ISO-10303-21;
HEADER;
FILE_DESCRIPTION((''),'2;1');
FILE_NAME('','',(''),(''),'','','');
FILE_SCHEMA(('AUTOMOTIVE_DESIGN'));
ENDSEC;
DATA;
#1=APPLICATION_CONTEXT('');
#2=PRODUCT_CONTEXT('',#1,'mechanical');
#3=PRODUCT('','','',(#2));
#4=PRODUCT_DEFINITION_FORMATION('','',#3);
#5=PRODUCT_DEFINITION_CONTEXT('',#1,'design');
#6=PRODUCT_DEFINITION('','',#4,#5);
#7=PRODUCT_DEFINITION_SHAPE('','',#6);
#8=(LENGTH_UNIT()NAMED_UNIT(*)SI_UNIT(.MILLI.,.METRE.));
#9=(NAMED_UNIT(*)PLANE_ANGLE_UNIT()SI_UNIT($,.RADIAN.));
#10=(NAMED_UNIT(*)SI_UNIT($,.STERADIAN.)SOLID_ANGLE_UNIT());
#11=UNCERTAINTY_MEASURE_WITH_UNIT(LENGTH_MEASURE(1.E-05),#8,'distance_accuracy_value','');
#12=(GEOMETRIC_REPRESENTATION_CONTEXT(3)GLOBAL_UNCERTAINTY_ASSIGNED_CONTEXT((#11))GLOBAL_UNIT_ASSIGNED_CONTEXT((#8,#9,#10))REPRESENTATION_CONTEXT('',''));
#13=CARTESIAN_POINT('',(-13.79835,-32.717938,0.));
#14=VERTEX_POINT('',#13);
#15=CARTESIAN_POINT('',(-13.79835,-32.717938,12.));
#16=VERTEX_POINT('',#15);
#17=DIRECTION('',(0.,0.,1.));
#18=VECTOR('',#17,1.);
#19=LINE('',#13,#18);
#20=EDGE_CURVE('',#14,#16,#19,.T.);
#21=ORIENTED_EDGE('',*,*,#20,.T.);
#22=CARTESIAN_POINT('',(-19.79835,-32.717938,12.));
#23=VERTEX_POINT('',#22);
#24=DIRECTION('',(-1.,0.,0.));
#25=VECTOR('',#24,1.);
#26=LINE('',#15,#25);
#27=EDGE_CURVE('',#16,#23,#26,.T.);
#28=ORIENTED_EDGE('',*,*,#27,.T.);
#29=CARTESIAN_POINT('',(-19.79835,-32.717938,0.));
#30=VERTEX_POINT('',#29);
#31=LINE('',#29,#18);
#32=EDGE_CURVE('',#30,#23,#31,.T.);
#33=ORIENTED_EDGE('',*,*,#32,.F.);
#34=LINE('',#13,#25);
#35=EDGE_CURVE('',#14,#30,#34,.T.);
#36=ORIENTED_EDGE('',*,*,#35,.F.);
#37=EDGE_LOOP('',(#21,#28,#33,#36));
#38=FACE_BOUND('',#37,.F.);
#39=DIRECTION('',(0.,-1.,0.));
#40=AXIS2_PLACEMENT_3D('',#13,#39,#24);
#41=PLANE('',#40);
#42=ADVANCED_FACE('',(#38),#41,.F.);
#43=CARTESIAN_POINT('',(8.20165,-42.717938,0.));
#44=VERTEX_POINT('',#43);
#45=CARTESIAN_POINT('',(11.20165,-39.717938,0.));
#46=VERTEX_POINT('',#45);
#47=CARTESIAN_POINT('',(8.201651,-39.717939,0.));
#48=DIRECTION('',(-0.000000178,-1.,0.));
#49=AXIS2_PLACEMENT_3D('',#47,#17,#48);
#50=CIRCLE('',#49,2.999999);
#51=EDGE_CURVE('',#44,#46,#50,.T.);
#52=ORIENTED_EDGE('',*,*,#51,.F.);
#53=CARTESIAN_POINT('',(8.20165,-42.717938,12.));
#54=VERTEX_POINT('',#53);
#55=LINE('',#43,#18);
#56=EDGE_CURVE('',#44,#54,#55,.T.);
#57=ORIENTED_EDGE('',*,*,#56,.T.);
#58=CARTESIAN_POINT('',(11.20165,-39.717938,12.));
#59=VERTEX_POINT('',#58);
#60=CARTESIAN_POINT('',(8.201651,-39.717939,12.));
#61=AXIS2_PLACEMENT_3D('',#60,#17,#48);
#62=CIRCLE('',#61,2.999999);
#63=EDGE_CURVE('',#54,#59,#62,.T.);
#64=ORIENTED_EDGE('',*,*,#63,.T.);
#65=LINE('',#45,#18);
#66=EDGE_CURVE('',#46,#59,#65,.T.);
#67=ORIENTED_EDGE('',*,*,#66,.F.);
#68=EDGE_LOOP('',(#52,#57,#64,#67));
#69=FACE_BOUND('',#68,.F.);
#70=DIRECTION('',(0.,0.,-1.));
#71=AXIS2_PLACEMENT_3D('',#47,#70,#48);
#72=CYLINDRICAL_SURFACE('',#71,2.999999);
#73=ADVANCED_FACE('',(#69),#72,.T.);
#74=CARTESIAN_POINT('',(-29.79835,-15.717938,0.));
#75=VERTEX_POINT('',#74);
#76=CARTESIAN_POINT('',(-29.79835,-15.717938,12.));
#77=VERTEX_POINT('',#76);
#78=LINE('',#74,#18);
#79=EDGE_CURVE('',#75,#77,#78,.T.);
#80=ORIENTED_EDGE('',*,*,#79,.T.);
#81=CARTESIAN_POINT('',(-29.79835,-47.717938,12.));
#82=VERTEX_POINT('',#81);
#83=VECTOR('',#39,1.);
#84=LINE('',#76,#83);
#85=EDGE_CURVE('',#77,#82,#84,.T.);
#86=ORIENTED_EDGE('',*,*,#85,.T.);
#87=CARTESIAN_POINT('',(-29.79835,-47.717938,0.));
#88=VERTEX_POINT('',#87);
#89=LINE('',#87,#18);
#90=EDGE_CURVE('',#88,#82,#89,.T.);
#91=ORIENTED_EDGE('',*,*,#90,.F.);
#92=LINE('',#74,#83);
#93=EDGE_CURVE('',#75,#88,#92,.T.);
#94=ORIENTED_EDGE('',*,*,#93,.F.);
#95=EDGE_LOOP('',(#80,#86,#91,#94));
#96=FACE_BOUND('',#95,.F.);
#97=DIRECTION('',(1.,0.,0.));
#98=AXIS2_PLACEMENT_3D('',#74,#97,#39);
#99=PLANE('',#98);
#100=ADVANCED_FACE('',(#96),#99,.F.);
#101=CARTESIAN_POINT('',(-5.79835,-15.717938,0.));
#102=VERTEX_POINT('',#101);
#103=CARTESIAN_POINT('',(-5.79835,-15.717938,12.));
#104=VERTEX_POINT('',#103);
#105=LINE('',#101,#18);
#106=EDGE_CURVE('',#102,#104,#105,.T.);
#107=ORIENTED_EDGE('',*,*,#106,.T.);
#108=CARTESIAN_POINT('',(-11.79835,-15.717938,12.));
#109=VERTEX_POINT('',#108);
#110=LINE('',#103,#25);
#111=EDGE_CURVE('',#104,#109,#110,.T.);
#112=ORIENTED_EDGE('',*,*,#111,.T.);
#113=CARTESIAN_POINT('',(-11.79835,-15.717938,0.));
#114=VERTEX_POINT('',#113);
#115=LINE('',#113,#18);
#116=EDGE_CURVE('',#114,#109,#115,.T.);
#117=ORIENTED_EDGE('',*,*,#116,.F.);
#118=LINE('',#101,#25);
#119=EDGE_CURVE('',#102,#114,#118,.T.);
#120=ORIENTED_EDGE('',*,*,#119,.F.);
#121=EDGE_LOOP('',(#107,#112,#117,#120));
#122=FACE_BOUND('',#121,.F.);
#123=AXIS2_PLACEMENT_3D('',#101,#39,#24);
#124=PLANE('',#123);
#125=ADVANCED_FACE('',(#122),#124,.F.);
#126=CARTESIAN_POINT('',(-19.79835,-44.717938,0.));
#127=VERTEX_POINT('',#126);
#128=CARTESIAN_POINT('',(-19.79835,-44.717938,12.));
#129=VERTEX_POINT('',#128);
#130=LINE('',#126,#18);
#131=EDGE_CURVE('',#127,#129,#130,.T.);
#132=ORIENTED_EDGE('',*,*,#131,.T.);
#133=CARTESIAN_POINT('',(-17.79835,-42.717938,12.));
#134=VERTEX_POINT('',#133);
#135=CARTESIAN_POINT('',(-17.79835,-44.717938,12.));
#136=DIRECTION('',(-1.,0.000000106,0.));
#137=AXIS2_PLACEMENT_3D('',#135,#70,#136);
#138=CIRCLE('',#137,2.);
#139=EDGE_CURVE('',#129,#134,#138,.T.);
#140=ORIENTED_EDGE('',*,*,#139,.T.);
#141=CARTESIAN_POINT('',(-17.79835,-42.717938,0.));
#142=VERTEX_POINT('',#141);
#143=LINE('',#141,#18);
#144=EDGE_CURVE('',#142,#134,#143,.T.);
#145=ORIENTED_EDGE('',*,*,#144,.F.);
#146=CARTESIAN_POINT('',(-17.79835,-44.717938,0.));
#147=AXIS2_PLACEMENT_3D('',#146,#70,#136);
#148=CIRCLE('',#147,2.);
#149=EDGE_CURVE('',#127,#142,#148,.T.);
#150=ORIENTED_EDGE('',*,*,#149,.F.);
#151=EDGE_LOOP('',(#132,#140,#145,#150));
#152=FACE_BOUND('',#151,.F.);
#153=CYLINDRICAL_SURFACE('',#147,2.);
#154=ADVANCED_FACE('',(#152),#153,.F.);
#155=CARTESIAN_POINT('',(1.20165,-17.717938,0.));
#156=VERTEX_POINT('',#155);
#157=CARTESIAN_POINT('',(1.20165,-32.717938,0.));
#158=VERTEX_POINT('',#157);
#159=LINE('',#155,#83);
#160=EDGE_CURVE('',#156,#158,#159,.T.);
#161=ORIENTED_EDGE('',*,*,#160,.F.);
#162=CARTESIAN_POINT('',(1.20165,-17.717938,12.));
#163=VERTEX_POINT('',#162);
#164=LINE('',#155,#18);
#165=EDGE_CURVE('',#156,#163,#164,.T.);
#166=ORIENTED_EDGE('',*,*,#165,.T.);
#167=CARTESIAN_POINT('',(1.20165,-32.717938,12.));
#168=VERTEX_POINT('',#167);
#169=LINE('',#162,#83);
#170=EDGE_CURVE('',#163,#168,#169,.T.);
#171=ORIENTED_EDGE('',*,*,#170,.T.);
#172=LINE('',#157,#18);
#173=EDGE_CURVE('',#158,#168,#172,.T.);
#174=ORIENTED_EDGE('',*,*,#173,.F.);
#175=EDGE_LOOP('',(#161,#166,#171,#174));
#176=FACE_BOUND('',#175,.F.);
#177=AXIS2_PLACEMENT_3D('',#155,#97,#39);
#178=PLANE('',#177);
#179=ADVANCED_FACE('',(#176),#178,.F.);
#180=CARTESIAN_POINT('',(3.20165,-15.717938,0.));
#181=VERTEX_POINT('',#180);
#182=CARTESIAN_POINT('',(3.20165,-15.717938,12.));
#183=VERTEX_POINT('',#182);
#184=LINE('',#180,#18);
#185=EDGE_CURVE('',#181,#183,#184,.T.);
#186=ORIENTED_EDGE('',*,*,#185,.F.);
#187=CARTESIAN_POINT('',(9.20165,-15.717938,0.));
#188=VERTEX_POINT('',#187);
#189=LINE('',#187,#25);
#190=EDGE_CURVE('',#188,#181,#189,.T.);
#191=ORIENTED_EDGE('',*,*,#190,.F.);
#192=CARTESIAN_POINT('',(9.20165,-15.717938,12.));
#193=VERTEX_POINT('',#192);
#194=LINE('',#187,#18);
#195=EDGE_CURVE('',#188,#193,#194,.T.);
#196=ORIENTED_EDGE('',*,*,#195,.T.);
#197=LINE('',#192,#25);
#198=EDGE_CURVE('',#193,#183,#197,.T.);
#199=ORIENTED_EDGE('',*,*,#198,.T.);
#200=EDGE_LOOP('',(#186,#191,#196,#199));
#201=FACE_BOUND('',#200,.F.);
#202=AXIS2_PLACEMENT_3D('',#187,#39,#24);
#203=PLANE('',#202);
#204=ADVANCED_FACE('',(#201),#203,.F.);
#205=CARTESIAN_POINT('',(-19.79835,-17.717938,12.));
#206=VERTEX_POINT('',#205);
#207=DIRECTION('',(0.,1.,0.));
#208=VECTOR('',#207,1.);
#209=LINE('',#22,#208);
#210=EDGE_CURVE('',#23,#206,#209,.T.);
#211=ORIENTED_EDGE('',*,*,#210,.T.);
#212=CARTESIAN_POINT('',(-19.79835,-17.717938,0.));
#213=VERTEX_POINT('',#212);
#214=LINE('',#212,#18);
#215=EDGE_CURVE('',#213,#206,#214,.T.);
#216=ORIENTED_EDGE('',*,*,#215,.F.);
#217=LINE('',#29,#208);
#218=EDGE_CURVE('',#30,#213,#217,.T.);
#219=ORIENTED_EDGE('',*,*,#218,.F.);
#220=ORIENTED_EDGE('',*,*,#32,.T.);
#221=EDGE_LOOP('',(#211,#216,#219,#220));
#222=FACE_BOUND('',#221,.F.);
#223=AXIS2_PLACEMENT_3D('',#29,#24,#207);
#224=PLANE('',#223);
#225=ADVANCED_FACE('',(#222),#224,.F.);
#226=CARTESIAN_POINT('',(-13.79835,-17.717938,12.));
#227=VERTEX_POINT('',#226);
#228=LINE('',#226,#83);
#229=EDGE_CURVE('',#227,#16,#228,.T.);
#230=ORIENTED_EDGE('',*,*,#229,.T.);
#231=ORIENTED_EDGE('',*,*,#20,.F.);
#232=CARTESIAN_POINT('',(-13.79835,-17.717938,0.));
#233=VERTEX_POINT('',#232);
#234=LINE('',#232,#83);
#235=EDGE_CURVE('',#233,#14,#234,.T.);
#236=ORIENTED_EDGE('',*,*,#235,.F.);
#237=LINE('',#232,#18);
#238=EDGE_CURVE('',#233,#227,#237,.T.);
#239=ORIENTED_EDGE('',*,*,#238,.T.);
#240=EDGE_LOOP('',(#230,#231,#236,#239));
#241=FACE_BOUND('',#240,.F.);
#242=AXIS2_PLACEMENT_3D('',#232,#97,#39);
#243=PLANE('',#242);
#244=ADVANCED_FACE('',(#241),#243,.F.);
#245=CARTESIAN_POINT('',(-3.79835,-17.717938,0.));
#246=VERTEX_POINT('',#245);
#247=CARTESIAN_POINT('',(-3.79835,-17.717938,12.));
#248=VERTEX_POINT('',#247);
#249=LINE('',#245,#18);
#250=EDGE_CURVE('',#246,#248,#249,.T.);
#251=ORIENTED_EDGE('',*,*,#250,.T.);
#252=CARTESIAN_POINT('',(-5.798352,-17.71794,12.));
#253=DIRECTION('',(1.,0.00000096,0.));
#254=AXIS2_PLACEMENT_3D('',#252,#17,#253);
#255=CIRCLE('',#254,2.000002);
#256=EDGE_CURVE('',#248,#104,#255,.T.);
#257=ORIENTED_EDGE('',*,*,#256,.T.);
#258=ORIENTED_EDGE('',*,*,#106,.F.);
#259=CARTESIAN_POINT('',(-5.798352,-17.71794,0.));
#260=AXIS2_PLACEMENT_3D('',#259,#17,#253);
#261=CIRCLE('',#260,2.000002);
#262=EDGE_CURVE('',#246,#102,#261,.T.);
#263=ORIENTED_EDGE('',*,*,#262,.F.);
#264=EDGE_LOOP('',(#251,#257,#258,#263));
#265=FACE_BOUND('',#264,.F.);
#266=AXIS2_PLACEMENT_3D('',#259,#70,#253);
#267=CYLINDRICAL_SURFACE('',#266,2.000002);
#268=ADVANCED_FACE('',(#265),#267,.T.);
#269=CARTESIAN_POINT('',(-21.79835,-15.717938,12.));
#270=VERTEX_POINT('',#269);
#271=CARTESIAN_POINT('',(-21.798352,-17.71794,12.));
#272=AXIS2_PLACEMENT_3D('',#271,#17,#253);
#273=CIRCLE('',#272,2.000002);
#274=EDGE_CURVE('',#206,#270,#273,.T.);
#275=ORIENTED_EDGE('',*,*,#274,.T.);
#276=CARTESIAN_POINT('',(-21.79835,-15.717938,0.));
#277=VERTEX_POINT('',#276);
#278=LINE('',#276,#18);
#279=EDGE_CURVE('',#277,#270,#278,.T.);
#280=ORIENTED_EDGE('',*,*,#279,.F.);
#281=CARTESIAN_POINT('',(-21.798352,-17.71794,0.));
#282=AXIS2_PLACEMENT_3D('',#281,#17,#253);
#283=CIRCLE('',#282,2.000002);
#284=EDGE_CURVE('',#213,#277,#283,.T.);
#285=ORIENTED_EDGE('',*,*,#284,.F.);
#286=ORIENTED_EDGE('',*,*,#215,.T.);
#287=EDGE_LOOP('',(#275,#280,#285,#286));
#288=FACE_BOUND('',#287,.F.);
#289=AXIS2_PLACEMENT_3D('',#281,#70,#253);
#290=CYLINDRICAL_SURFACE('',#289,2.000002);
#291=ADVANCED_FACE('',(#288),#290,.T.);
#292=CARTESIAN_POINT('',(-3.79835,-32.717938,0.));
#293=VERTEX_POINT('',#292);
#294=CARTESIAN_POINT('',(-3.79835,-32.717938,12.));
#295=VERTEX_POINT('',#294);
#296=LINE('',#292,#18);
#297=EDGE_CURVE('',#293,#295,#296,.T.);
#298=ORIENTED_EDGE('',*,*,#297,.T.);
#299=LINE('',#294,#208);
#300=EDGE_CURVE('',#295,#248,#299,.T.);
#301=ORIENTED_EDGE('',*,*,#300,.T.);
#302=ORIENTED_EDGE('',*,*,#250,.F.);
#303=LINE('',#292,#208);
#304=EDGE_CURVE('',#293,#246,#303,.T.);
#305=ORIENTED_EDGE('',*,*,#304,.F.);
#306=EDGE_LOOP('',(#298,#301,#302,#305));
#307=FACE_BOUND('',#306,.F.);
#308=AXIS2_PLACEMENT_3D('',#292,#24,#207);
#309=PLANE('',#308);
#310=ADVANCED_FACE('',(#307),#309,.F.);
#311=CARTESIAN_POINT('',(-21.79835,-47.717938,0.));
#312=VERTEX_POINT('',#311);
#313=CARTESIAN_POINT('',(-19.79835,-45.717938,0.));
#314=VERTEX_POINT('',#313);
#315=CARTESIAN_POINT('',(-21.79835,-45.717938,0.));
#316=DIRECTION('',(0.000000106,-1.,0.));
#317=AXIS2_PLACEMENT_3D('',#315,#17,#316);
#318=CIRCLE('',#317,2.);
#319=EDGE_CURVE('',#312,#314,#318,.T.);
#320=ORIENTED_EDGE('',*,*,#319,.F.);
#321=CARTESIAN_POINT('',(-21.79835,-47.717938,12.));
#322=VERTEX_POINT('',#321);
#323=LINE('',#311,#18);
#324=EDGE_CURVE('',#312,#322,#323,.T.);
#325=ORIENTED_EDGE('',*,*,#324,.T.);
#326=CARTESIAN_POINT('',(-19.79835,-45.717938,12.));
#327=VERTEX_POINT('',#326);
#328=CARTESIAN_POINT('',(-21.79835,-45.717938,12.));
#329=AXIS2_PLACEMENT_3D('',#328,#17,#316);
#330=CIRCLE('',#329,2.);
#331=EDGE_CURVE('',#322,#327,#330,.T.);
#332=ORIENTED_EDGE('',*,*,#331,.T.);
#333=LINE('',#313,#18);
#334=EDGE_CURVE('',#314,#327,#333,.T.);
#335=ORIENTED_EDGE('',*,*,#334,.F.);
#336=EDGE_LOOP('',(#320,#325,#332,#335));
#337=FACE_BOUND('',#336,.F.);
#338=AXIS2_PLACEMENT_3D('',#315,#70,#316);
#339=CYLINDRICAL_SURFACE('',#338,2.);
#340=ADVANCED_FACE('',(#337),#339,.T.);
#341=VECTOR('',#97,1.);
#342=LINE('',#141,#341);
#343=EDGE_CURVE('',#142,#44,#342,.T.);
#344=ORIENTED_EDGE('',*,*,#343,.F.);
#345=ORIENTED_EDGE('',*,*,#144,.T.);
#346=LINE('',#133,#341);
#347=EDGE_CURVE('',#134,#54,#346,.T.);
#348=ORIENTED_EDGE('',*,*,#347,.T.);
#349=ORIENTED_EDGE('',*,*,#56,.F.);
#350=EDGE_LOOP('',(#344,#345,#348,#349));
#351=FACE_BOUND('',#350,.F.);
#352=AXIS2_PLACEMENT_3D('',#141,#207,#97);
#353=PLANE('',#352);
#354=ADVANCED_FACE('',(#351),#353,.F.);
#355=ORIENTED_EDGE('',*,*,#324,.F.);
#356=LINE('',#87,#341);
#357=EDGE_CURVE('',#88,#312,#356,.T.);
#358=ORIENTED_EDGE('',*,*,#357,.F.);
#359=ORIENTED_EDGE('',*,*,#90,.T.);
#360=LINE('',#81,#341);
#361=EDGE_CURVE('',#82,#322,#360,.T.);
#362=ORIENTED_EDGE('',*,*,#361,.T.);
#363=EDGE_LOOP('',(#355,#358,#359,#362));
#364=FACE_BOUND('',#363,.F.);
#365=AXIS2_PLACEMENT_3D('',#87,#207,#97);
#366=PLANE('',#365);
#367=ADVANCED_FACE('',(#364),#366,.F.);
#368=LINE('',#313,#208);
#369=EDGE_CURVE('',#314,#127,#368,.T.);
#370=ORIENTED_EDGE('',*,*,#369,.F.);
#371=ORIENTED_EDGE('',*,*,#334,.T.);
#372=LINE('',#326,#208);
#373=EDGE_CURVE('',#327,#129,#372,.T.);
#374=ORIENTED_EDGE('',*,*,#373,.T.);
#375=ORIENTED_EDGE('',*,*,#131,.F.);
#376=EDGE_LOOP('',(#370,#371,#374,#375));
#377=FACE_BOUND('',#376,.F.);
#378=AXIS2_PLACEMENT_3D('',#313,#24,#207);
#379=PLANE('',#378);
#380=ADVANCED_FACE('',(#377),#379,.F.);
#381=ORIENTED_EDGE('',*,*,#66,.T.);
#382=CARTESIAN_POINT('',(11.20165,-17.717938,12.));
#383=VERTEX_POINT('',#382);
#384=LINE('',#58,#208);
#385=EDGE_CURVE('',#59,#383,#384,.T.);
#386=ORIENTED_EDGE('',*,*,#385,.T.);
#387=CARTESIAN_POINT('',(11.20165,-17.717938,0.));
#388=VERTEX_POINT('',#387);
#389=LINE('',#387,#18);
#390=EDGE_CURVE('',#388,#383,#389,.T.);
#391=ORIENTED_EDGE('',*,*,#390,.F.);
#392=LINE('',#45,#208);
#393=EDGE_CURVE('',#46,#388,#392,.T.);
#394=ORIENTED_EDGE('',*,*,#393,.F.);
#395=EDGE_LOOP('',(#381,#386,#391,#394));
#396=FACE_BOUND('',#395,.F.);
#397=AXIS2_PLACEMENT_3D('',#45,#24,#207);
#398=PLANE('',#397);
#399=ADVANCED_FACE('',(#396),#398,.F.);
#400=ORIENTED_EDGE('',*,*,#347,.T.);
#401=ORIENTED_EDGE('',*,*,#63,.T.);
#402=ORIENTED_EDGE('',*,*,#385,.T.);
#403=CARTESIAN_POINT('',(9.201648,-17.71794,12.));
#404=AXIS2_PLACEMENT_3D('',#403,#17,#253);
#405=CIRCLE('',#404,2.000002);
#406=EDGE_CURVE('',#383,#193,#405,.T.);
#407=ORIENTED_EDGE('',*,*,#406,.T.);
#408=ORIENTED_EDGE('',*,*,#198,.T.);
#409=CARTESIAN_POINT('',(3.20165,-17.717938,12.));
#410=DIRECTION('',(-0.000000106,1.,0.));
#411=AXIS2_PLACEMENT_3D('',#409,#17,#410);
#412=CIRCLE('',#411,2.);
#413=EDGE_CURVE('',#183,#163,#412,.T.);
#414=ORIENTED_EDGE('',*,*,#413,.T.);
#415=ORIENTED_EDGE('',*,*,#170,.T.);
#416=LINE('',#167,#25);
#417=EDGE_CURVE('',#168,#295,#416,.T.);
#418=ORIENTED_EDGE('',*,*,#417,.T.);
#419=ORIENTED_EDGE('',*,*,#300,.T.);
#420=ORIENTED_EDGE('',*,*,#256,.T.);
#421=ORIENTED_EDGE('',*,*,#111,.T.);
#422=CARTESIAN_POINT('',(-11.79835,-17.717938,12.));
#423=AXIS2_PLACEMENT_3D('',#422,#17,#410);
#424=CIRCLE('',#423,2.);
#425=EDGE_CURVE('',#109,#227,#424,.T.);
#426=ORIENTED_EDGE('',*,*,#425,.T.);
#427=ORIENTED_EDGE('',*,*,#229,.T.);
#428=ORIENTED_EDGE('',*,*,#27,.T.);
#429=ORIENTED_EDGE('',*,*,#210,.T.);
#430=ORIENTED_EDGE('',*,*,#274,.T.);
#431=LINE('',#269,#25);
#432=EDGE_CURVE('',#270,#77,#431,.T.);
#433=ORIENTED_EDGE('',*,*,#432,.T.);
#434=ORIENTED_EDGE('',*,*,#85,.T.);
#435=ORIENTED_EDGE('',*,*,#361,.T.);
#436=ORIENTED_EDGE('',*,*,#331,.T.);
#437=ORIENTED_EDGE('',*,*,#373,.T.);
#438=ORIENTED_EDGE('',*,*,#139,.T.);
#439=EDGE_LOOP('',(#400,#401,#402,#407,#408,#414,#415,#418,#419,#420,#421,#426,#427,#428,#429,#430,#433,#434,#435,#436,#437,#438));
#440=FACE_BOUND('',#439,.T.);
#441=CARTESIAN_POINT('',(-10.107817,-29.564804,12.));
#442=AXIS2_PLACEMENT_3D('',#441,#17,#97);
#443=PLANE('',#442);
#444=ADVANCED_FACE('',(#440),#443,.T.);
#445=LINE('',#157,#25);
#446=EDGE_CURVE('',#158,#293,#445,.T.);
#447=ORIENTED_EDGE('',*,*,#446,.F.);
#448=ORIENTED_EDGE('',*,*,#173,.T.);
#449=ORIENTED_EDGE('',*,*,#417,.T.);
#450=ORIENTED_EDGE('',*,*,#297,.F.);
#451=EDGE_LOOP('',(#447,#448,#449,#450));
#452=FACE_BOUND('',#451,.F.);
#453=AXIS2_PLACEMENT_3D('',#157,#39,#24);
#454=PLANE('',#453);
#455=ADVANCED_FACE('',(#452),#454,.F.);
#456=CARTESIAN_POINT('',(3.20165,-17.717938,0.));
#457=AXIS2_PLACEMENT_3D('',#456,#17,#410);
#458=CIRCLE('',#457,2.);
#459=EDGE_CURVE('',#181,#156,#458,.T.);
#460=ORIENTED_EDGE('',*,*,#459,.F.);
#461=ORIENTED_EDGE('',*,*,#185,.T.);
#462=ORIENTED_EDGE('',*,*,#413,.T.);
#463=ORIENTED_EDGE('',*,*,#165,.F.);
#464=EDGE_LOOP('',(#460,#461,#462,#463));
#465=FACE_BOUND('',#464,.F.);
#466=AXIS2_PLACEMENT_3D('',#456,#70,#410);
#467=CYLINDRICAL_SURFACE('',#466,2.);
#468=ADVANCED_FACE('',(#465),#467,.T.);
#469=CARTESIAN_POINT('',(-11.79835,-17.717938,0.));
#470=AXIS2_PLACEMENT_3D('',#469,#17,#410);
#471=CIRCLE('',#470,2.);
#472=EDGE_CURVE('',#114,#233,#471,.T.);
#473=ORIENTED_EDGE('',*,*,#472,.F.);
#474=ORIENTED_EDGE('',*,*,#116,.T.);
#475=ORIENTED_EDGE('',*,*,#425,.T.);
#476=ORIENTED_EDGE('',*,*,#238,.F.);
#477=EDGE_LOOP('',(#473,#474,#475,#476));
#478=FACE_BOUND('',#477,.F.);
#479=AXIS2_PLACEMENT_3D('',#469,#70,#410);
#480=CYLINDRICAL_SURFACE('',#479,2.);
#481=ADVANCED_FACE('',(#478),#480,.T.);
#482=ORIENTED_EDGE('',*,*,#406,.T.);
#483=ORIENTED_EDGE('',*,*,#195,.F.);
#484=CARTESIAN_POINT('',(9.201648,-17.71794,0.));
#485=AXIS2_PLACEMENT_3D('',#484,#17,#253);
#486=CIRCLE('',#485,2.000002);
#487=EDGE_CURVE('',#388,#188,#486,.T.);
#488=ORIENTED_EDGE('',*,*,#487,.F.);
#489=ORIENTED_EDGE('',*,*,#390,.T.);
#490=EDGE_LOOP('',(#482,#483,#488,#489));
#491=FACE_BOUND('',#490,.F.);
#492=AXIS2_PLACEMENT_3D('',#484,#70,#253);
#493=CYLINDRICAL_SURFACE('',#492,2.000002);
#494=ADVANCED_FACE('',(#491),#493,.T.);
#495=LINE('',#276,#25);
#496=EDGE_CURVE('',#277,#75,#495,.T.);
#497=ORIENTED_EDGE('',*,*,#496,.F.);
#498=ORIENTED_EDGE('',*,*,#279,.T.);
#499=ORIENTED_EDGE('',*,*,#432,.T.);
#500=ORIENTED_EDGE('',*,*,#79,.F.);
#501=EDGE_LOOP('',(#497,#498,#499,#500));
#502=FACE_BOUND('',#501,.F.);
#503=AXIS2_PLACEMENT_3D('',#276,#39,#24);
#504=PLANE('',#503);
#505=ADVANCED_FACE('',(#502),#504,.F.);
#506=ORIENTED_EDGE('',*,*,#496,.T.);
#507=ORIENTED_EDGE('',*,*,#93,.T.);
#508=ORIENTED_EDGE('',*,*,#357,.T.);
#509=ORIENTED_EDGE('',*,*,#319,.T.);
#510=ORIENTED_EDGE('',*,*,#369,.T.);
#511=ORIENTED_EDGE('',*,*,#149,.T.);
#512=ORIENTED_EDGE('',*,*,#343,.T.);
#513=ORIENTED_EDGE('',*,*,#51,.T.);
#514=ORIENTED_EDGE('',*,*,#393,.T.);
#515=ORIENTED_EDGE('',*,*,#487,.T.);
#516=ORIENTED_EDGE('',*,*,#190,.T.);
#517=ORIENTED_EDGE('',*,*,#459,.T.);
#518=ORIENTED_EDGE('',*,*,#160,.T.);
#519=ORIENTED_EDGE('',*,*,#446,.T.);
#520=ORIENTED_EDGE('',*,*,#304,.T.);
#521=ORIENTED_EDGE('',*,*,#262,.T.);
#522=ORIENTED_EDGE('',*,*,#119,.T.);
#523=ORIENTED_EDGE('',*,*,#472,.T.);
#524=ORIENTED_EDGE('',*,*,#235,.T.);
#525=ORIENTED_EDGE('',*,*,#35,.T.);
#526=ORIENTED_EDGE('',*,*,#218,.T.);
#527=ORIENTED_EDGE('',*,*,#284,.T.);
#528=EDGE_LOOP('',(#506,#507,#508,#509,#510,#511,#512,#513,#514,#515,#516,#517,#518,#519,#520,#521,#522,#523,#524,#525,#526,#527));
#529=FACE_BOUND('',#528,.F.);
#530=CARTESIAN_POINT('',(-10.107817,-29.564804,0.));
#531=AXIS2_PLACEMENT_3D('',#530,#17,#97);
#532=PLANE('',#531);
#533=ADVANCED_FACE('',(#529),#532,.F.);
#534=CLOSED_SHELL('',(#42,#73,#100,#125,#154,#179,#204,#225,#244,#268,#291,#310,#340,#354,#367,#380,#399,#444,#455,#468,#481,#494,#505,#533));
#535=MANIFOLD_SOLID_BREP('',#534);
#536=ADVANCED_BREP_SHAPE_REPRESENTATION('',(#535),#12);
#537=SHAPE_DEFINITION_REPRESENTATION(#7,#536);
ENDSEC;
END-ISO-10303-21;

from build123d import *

# Parameters (mm, degrees)
F1_DEPTH = 12


with BuildPart() as f1:
    # F0 (on Top) → F1 (new body)
    with BuildSketch(Plane.XY):
        with BuildLine():
            Line((-21.79835, -15.717938), (-29.79835, -15.717938))
            Line((-29.79835, -15.717938), (-29.79835, -42.717938))
            Line((-29.79835, -42.717938), (-29.79835, -47.717938))
            Line((-29.79835, -47.717938), (-21.79835, -47.717938))
            ThreePointArc((-21.79835, -47.717938), (-20.384137, -47.132152), (-19.79835, -45.717938))
            Line((-19.79835, -45.717938), (-19.79835, -44.717938))
            ThreePointArc((-19.79835, -44.717938), (-19.212564, -43.303725), (-17.79835, -42.717938))
            Line((-17.79835, -42.717938), (8.20165, -42.717938))
            ThreePointArc((8.20165, -42.717938), (10.32297, -41.839259), (11.20165, -39.717938))
            Line((11.20165, -39.717938), (11.20165, -17.717938))
            ThreePointArc((11.20165, -17.717938), (10.615863, -16.303725), (9.20165, -15.717938))
            Line((9.20165, -15.717938), (3.20165, -15.717938))
            ThreePointArc((3.20165, -15.717938), (1.787436, -16.303725), (1.20165, -17.717938))
            Line((1.20165, -17.717938), (1.20165, -32.717938))
            Line((1.20165, -32.717938), (-3.79835, -32.717938))
            Line((-3.79835, -32.717938), (-3.79835, -17.717938))
            ThreePointArc((-3.79835, -17.717938), (-4.384137, -16.303725), (-5.79835, -15.717938))
            Line((-5.79835, -15.717938), (-11.79835, -15.717938))
            ThreePointArc((-11.79835, -15.717938), (-13.212564, -16.303725), (-13.79835, -17.717938))
            Line((-13.79835, -17.717938), (-13.79835, -32.717938))
            Line((-13.79835, -32.717938), (-19.79835, -32.717938))
            Line((-19.79835, -32.717938), (-19.79835, -17.717938))
            ThreePointArc((-19.79835, -17.717938), (-20.384137, -16.303725), (-21.79835, -15.717938))
        make_face()
    extrude(amount=F1_DEPTH)


solid = f1.part
